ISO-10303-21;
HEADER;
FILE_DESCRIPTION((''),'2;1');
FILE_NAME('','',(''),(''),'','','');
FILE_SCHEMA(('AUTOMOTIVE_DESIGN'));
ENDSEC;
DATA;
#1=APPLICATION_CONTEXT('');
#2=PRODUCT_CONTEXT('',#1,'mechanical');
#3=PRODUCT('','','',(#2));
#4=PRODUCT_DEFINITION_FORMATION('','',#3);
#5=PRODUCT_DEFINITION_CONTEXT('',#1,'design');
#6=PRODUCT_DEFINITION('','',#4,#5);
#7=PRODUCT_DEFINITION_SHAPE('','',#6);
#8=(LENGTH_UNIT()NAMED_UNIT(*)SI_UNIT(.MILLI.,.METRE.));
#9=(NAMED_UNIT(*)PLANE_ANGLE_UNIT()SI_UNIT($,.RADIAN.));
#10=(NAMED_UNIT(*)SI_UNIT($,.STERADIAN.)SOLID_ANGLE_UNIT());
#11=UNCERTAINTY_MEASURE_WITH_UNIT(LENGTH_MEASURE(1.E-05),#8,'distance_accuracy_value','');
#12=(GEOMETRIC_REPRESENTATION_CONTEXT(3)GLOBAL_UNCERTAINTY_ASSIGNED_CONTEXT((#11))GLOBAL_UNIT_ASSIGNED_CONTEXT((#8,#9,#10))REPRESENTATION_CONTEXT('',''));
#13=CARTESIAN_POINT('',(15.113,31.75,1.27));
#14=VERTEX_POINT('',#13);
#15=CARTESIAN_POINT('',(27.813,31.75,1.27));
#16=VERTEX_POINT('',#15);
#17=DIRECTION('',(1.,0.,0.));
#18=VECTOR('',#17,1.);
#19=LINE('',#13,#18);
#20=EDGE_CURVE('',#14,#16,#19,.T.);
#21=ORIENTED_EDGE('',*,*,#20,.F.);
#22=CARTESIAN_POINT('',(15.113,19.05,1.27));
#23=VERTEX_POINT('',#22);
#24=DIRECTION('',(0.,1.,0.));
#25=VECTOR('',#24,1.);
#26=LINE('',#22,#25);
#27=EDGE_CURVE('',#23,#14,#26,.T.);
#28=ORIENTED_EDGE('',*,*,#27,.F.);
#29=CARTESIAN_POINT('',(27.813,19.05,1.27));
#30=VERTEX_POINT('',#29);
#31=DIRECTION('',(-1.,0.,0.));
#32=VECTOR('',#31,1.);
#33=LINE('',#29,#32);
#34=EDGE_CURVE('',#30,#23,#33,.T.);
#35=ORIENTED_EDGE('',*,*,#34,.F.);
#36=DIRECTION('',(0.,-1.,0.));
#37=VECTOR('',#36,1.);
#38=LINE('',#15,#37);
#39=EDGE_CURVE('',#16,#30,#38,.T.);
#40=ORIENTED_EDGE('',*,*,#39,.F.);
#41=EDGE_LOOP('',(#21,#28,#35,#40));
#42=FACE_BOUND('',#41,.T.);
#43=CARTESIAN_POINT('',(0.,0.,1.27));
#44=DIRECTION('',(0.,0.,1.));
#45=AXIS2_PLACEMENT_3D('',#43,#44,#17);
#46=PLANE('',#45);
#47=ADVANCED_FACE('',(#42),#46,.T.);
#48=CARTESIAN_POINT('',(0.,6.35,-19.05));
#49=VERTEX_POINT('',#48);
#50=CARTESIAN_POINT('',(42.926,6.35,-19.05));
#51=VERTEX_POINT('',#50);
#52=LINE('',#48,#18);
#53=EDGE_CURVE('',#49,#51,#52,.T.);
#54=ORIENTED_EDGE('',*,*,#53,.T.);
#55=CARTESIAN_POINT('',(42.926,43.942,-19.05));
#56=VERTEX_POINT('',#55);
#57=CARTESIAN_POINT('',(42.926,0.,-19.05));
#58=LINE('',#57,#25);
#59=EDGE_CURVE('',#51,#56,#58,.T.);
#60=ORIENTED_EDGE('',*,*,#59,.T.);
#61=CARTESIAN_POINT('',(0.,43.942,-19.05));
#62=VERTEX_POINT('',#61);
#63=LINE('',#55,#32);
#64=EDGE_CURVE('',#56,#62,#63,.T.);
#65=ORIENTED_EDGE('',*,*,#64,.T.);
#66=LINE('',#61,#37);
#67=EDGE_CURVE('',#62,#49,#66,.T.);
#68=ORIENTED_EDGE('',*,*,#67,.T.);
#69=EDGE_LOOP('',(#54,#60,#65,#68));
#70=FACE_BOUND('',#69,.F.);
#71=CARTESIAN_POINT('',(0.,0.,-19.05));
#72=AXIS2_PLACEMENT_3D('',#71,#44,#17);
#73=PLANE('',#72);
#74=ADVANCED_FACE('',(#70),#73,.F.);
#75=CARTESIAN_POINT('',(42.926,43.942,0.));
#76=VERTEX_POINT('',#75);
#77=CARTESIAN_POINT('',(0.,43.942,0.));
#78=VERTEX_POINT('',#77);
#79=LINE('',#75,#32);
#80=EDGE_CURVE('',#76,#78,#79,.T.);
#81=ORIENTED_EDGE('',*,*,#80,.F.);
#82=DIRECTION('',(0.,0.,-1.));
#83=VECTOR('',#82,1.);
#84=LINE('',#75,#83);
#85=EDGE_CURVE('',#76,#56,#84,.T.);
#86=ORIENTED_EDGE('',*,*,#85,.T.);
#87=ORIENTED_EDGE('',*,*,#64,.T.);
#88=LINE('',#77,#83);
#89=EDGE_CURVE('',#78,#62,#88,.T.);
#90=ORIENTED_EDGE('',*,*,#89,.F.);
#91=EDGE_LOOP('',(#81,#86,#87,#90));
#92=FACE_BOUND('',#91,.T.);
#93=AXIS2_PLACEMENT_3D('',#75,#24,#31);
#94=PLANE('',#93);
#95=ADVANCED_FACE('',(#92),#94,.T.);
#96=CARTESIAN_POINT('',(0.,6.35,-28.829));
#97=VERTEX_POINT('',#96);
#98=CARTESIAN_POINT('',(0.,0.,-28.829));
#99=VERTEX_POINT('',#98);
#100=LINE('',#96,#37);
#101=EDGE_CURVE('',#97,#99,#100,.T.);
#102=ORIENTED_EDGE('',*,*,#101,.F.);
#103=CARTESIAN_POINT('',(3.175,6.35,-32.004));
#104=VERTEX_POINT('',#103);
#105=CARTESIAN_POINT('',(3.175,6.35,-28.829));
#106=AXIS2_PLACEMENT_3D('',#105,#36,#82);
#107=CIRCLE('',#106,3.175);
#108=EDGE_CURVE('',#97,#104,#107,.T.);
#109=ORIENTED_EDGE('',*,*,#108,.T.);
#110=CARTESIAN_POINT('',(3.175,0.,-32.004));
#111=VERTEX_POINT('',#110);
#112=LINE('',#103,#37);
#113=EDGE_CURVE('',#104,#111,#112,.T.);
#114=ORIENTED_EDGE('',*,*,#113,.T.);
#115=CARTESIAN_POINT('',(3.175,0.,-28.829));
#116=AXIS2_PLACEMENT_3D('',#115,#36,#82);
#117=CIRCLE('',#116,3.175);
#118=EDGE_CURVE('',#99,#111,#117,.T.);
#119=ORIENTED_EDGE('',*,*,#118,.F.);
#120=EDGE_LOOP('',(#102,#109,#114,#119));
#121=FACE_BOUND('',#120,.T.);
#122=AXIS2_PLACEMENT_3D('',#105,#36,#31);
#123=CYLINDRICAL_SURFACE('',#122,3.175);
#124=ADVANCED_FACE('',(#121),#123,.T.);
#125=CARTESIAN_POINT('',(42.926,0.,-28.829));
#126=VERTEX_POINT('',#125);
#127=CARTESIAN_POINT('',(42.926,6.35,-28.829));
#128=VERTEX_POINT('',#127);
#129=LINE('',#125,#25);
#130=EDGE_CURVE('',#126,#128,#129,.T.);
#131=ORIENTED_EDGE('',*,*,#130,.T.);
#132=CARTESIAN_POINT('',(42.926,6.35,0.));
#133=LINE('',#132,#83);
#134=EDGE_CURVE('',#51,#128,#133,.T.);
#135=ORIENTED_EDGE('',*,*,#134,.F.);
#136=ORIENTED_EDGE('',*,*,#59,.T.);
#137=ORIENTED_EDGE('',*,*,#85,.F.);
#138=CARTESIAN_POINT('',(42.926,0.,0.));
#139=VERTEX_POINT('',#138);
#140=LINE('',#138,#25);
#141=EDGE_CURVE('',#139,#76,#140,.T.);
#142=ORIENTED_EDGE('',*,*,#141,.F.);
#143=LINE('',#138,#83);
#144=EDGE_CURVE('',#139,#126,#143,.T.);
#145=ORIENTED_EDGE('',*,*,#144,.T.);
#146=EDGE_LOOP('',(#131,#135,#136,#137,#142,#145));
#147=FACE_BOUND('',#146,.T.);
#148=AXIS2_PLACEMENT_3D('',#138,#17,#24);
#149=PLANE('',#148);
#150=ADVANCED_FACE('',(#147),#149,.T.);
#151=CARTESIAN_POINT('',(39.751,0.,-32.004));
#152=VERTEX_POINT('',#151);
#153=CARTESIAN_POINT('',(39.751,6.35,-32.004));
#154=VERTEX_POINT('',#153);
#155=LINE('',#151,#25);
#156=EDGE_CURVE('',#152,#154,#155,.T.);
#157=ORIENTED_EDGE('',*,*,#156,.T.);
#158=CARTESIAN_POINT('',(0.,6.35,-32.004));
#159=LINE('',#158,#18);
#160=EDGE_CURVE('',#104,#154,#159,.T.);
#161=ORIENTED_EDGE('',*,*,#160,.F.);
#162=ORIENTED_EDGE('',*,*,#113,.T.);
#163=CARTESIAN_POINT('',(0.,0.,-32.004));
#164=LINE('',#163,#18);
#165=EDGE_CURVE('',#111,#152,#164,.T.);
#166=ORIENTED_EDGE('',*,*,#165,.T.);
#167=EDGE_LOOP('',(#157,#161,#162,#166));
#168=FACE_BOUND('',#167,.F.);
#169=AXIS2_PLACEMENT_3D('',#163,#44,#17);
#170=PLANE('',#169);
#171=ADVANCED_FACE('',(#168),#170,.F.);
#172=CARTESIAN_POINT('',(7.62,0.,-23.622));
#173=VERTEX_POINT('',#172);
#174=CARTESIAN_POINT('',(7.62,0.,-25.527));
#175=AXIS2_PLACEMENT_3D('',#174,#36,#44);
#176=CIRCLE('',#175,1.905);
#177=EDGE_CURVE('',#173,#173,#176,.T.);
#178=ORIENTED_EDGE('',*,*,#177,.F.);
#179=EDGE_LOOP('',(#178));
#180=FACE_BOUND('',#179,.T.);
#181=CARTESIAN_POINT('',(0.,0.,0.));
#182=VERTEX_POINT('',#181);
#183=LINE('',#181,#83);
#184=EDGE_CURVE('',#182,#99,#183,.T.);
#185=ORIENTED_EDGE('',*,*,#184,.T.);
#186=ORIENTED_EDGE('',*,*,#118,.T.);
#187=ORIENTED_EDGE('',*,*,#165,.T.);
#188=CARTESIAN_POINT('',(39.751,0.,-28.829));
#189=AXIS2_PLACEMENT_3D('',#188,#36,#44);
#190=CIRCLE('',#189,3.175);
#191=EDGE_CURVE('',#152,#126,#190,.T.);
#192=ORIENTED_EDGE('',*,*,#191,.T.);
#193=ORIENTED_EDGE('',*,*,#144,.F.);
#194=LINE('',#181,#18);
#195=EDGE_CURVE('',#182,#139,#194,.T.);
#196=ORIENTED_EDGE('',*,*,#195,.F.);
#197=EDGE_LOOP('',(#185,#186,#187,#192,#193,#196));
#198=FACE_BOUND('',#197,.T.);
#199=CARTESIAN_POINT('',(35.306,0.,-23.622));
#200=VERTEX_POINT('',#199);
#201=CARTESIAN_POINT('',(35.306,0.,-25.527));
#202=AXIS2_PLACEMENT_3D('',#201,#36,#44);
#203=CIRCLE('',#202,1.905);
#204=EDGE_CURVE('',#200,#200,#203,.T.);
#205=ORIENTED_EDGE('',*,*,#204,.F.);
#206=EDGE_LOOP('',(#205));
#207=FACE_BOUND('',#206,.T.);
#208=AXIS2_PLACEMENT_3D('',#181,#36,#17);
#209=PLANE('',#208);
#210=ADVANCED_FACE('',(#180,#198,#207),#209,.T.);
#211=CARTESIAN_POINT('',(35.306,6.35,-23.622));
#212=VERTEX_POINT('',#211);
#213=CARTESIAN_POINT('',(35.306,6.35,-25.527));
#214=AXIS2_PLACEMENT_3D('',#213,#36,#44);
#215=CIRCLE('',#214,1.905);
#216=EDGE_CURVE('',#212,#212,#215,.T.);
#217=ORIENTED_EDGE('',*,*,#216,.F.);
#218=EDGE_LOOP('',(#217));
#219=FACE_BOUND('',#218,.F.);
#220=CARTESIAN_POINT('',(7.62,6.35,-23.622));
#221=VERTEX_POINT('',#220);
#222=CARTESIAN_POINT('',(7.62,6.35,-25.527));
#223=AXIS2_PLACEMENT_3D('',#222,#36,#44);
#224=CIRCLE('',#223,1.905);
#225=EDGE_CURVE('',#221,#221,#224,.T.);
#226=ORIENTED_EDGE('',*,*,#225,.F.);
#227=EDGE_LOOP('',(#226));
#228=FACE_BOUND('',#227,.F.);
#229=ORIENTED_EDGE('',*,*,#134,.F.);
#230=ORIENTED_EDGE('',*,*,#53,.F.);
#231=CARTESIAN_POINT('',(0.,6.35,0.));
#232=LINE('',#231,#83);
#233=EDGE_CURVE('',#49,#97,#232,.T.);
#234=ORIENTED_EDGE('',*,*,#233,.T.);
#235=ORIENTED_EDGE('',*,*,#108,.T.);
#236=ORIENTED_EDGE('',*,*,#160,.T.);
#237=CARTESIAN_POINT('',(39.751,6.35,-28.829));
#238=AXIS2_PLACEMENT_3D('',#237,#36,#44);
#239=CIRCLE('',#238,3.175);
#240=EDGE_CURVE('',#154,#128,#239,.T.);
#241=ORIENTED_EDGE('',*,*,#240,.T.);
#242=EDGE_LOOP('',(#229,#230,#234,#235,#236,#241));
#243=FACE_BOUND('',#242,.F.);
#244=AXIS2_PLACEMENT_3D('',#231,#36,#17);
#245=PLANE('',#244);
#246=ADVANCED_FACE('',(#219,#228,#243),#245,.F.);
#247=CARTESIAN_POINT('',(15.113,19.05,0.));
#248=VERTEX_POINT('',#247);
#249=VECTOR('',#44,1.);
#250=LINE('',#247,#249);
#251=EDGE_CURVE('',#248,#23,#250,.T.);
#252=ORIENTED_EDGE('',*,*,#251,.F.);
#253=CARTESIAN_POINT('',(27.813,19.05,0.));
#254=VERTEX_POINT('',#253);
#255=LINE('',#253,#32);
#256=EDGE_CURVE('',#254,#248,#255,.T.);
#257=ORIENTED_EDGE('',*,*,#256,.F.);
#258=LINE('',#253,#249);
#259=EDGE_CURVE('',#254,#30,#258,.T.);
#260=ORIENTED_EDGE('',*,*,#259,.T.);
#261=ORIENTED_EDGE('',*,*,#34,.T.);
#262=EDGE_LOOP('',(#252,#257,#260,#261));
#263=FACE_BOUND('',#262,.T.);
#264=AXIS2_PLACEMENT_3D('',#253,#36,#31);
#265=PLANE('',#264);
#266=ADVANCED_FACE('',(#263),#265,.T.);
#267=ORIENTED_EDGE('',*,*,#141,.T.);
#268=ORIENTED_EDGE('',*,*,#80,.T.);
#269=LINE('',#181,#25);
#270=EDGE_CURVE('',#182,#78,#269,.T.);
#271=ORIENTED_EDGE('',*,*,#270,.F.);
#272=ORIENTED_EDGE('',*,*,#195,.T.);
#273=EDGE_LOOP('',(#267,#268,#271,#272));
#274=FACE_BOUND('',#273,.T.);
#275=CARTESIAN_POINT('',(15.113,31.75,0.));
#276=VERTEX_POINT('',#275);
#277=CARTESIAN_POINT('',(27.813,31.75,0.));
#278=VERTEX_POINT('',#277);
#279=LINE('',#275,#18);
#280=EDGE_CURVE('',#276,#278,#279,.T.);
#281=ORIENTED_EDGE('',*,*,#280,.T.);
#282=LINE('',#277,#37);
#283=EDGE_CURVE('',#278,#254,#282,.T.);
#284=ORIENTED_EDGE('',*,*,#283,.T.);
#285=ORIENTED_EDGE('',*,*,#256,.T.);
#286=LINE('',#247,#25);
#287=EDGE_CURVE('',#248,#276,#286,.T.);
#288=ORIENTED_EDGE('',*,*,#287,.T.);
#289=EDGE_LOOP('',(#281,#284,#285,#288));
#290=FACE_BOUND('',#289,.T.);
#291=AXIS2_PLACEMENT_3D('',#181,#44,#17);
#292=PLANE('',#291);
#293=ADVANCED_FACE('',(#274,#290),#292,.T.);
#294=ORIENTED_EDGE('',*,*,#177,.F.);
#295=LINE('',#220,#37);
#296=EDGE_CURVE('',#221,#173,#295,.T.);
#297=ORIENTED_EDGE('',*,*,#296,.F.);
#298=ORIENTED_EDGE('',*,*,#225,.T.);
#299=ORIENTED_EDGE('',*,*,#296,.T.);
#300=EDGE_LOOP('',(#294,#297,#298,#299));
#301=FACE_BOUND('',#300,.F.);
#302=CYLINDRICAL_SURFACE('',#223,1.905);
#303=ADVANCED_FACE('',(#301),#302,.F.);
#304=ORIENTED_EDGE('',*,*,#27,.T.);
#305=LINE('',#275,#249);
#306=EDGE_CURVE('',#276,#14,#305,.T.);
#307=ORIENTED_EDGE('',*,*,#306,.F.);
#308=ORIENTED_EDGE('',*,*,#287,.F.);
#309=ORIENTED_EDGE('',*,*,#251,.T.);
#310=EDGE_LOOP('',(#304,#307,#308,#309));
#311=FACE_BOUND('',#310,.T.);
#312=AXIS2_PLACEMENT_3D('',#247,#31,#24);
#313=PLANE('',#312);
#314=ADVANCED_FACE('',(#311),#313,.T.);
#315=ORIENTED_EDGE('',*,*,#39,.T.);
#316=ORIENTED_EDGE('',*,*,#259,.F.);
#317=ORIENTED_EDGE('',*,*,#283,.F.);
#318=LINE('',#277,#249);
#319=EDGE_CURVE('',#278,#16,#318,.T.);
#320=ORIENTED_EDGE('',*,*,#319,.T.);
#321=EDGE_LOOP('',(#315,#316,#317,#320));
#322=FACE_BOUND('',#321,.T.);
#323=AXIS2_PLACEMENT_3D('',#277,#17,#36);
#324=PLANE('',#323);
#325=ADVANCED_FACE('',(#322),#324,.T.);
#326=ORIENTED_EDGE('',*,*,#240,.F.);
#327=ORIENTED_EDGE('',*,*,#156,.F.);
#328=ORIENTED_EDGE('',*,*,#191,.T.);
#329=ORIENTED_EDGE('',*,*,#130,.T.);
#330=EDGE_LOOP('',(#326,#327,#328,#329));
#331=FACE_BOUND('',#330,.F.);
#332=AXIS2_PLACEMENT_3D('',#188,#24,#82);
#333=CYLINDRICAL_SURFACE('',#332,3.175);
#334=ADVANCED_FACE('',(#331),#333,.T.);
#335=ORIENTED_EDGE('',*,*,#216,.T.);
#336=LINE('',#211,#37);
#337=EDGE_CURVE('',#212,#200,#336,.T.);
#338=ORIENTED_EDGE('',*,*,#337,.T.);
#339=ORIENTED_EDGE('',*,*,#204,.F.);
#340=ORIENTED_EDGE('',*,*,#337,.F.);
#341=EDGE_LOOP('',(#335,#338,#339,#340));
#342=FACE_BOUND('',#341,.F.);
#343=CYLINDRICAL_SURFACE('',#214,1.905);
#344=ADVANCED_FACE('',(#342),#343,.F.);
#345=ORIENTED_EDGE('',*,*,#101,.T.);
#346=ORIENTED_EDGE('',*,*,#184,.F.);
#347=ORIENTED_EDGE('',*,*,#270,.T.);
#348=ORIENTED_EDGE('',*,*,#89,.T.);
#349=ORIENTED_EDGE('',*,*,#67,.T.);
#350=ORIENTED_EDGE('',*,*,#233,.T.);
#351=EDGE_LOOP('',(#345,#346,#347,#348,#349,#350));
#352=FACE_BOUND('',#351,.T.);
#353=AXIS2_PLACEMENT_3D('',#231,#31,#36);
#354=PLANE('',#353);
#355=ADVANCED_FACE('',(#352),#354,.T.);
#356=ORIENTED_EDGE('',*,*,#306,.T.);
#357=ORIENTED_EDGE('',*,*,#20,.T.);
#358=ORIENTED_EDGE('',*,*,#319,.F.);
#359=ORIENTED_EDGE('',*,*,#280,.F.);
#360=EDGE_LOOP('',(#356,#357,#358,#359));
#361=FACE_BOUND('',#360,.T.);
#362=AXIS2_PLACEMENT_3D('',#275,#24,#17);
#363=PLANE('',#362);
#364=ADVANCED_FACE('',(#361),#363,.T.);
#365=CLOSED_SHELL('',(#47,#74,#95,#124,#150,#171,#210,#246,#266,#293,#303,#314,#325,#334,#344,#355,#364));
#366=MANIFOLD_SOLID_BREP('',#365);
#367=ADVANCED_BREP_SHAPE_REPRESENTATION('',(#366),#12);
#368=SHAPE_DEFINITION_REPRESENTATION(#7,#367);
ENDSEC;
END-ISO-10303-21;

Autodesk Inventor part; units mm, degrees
ref_plane "YZ Plane" through (0, 0, 0) normal (1, 0, 0) x (0, 1, 0)
ref_plane "XZ Plane" through (0, 0, 0) normal (0, 1, 0) x (-1, 0, 0)
ref_plane "XY Plane" through (0, 0, 0) normal (0, 0, 1) x (1, 0, 0)
sketch "Sketch1" plane through (0, 0, 0) normal (0, 0, 1) x (1, 0, 0)
  line L0 (0, 0) -> (42.926, 0)
  line L1 (42.926, 0) -> (42.926, 43.942)
  line L2 (42.926, 43.942) -> (0, 43.942)
  line L3 (0, 43.942) -> (0, 0)
  line L4 (0, 6.35) -> (42.926, 6.35)
  line L5 (15.113, 31.75) -> (27.813, 31.75)
  line L6 (27.813, 31.75) -> (27.813, 19.05)
  line L7 (27.813, 19.05) -> (15.113, 19.05)
  line L8 (15.113, 19.05) -> (15.113, 31.75)
  point P0 (21.463, 31.75)
  point P1 (21.463, 43.942)
  dimension "d0" = 43.942
  dimension "d1" = 42.926
  dimension "d2" = 12.7
  dimension "d3" = 6.35
  dimension "d4" = 12.7
extrude "Extrusion1" add sketch "Sketch1" against normal blind 19.05 contours L3 L2 L1 L4 | L5 L6 L7 L8
extrude "Extrusion2" add sketch "Sketch1" against normal blind 32.004 contours L3 L4 L1 L0
extrude "Extrusion3" add sketch "Sketch1" along normal blind 1.27 contours L5 L6 L7 L8
sketch "Sketch2" plane through (0, 6.35, -19.05) normal (0, 1, 0) x (1, 0, 0)
  line L0 (0, 0) -> (0, 12.954) projected
  line L1 (42.926, 0) -> (42.926, 12.954) projected
  point P0 (0, -19.05)
  point P1 (35.306, 6.477)
  point P2 (7.62, 6.477)
  point P3 (0, 6.477)
  dimension "d11" = 7.62
  dimension "d12" = 7.62
hole "Hole1" at (35.306, 6.35, -25.527) at (7.62, 6.35, -25.527) direction (0, -1, 0) diameter 3.81 end through all
fillet "Fillet1" radius 3.175 2 edges at (42.926, 3.175, -32.004) (0, 3.175, -32.004)
properties part number "OGLiDAR" material "LCP Plastic"
